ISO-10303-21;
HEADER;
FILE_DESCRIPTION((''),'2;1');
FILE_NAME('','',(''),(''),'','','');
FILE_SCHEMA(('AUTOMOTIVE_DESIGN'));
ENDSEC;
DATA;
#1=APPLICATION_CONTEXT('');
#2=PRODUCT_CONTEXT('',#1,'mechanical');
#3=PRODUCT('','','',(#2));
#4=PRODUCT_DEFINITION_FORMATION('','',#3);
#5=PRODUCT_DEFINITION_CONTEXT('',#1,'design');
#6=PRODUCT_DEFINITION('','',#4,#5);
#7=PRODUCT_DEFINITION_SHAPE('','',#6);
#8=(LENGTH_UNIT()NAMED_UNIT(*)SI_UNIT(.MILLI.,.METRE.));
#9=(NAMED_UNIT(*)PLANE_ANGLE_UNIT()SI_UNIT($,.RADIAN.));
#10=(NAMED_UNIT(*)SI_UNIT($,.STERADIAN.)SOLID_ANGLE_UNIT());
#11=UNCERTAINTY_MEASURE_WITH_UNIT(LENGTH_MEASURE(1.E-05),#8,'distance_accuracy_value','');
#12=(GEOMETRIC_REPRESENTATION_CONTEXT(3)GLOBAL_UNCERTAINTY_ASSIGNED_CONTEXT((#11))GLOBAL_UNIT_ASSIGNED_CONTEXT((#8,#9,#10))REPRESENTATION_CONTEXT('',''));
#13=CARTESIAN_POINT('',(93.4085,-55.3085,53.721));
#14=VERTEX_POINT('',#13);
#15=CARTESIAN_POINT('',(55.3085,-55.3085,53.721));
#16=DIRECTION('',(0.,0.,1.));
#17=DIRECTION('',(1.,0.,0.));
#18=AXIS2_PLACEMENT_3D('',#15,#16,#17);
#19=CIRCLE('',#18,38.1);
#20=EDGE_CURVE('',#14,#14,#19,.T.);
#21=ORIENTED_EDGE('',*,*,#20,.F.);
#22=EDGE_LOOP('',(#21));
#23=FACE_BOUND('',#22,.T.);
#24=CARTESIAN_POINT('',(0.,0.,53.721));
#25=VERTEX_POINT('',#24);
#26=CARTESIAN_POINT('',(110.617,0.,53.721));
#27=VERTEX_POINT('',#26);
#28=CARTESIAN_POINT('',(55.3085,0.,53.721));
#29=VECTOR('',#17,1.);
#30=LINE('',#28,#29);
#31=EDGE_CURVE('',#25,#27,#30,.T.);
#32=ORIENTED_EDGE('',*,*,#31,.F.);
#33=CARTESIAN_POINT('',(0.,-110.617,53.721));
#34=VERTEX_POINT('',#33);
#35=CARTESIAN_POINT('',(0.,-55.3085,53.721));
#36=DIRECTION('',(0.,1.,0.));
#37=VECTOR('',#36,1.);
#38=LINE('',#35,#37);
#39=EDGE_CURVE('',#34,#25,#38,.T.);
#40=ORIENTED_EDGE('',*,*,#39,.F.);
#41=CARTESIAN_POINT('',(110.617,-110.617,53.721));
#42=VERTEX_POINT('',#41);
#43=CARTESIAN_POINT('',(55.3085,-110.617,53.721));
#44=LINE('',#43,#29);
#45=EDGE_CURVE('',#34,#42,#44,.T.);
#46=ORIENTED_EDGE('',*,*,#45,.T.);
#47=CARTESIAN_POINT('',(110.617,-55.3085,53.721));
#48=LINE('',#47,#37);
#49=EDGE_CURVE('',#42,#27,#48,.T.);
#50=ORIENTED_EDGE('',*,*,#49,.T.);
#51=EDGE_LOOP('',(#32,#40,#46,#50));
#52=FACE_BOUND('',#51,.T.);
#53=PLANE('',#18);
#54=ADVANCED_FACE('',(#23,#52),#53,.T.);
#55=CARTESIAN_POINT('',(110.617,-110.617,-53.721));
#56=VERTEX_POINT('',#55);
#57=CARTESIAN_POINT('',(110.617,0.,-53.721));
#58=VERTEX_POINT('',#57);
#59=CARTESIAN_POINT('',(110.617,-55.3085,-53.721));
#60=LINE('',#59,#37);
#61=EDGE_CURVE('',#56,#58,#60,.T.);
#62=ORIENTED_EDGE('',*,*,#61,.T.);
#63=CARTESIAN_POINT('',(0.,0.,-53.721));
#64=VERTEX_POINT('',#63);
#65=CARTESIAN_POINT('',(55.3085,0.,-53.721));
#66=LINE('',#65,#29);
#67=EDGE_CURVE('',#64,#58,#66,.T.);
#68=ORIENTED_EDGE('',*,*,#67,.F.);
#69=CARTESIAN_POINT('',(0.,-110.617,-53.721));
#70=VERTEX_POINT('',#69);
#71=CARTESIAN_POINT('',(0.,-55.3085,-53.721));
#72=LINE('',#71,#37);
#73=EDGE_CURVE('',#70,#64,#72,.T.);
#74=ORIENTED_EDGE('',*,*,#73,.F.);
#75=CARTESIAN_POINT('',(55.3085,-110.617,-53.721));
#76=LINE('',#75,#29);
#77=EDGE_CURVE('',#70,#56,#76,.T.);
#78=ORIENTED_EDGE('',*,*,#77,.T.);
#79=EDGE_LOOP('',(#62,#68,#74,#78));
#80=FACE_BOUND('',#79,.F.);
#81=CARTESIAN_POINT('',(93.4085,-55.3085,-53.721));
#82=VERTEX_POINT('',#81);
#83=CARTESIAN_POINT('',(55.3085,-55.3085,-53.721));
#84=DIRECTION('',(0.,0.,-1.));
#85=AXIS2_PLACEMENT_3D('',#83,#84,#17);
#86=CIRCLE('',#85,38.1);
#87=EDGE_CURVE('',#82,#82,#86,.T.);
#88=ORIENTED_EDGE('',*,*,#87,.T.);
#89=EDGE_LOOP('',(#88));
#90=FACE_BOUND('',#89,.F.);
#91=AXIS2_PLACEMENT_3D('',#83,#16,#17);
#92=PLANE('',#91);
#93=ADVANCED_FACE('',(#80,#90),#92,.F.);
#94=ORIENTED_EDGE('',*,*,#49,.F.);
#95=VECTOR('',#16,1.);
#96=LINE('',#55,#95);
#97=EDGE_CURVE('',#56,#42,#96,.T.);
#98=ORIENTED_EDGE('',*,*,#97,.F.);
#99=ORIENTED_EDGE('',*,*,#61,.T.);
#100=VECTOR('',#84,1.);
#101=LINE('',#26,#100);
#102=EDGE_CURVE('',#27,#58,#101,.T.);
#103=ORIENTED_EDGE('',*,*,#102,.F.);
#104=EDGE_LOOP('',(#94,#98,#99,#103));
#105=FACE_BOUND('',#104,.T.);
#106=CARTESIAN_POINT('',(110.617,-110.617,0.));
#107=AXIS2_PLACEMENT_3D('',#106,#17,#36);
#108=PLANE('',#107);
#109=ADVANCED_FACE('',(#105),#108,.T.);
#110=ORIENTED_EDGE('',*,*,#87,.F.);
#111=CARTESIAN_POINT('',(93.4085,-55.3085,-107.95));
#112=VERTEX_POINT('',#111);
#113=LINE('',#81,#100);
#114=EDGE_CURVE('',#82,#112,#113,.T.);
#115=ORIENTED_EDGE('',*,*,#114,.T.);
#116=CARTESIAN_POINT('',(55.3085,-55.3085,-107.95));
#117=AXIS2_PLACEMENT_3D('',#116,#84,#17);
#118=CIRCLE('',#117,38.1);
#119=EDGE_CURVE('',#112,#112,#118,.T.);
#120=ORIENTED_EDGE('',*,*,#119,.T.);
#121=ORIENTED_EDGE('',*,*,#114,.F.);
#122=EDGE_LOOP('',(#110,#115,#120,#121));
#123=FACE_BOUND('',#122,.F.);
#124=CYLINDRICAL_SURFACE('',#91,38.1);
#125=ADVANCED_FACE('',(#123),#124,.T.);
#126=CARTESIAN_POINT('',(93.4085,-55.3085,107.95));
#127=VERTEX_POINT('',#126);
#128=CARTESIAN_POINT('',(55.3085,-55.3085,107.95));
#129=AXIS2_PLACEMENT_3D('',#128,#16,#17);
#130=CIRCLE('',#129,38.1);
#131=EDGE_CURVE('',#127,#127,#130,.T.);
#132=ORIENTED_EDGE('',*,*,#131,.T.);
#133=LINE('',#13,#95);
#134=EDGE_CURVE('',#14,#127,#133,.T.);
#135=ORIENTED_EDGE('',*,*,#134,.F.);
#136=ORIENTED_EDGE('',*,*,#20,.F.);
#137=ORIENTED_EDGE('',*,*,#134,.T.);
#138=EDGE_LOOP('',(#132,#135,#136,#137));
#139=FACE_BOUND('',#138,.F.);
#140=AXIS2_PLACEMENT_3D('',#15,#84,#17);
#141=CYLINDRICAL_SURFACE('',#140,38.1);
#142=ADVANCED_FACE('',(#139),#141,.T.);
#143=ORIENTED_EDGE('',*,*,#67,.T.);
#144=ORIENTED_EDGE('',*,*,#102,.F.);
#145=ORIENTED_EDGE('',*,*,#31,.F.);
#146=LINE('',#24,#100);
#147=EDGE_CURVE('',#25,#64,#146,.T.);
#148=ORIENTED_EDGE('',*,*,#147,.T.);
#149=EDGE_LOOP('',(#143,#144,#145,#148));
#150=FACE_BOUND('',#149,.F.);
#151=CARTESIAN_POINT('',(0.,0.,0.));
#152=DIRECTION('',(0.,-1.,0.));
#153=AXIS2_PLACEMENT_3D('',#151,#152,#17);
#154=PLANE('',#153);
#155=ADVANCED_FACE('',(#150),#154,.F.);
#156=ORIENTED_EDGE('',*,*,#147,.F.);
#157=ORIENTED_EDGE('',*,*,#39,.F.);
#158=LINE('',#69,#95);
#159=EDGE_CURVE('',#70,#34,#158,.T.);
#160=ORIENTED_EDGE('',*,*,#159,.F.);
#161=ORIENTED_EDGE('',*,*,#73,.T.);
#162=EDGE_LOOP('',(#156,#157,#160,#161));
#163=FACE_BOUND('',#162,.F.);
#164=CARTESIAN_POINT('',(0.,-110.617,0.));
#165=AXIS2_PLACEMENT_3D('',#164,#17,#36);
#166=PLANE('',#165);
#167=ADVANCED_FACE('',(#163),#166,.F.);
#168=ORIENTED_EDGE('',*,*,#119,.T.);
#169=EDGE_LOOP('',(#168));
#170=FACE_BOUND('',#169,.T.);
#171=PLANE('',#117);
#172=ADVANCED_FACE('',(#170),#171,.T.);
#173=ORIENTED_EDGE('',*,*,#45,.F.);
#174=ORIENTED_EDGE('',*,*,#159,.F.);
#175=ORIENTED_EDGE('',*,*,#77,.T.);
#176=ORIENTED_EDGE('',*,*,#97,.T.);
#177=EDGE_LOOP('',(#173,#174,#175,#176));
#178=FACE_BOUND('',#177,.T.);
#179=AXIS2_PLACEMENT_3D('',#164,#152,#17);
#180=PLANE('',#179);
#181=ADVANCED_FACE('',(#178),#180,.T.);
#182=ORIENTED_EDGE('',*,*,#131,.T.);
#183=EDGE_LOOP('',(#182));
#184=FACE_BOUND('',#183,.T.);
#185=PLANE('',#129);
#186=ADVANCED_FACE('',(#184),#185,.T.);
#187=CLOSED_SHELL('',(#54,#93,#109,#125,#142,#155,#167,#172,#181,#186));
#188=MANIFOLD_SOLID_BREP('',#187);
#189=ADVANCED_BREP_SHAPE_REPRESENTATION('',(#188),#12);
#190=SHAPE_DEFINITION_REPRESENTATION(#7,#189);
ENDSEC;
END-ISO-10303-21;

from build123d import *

# Parameters (mm, degrees)
F0_W          = 110.617
F0_H          = 110.617
F1_DEPTH      = 53.721
F1_DEPTH_BACK = 53.721
F2_R          = 38.1
F3_DEPTH      = 54.229
F4_R          = 38.1
F5_DEPTH      = 54.229


with BuildPart() as f1:
    # F0 (on Top) → F1 (new body, two sides)
    with BuildSketch(Plane.XY) as f1_sk:
        with Locations((55.3085, -55.3085)):
            Rectangle(F0_W, F0_H)
    extrude(amount=F1_DEPTH)
    extrude(f1_sk.sketch, amount=-F1_DEPTH_BACK)

    # F2 (on face) → F3 (join)
    with BuildSketch(Plane.XY.offset(53.721)):
        with Locations((55.3085, -55.3085)):
            Circle(F2_R)
    extrude(amount=F3_DEPTH)

    # F4 (on face) → F5 (join)
    with BuildSketch(Plane(origin=(0, 0, -53.721), x_dir=(1, 0, 0), z_dir=(0, 0, -1))):
        with Locations((55.3085, 55.3085)):
            Circle(F4_R)
    extrude(amount=F5_DEPTH)


solid = f1.part
